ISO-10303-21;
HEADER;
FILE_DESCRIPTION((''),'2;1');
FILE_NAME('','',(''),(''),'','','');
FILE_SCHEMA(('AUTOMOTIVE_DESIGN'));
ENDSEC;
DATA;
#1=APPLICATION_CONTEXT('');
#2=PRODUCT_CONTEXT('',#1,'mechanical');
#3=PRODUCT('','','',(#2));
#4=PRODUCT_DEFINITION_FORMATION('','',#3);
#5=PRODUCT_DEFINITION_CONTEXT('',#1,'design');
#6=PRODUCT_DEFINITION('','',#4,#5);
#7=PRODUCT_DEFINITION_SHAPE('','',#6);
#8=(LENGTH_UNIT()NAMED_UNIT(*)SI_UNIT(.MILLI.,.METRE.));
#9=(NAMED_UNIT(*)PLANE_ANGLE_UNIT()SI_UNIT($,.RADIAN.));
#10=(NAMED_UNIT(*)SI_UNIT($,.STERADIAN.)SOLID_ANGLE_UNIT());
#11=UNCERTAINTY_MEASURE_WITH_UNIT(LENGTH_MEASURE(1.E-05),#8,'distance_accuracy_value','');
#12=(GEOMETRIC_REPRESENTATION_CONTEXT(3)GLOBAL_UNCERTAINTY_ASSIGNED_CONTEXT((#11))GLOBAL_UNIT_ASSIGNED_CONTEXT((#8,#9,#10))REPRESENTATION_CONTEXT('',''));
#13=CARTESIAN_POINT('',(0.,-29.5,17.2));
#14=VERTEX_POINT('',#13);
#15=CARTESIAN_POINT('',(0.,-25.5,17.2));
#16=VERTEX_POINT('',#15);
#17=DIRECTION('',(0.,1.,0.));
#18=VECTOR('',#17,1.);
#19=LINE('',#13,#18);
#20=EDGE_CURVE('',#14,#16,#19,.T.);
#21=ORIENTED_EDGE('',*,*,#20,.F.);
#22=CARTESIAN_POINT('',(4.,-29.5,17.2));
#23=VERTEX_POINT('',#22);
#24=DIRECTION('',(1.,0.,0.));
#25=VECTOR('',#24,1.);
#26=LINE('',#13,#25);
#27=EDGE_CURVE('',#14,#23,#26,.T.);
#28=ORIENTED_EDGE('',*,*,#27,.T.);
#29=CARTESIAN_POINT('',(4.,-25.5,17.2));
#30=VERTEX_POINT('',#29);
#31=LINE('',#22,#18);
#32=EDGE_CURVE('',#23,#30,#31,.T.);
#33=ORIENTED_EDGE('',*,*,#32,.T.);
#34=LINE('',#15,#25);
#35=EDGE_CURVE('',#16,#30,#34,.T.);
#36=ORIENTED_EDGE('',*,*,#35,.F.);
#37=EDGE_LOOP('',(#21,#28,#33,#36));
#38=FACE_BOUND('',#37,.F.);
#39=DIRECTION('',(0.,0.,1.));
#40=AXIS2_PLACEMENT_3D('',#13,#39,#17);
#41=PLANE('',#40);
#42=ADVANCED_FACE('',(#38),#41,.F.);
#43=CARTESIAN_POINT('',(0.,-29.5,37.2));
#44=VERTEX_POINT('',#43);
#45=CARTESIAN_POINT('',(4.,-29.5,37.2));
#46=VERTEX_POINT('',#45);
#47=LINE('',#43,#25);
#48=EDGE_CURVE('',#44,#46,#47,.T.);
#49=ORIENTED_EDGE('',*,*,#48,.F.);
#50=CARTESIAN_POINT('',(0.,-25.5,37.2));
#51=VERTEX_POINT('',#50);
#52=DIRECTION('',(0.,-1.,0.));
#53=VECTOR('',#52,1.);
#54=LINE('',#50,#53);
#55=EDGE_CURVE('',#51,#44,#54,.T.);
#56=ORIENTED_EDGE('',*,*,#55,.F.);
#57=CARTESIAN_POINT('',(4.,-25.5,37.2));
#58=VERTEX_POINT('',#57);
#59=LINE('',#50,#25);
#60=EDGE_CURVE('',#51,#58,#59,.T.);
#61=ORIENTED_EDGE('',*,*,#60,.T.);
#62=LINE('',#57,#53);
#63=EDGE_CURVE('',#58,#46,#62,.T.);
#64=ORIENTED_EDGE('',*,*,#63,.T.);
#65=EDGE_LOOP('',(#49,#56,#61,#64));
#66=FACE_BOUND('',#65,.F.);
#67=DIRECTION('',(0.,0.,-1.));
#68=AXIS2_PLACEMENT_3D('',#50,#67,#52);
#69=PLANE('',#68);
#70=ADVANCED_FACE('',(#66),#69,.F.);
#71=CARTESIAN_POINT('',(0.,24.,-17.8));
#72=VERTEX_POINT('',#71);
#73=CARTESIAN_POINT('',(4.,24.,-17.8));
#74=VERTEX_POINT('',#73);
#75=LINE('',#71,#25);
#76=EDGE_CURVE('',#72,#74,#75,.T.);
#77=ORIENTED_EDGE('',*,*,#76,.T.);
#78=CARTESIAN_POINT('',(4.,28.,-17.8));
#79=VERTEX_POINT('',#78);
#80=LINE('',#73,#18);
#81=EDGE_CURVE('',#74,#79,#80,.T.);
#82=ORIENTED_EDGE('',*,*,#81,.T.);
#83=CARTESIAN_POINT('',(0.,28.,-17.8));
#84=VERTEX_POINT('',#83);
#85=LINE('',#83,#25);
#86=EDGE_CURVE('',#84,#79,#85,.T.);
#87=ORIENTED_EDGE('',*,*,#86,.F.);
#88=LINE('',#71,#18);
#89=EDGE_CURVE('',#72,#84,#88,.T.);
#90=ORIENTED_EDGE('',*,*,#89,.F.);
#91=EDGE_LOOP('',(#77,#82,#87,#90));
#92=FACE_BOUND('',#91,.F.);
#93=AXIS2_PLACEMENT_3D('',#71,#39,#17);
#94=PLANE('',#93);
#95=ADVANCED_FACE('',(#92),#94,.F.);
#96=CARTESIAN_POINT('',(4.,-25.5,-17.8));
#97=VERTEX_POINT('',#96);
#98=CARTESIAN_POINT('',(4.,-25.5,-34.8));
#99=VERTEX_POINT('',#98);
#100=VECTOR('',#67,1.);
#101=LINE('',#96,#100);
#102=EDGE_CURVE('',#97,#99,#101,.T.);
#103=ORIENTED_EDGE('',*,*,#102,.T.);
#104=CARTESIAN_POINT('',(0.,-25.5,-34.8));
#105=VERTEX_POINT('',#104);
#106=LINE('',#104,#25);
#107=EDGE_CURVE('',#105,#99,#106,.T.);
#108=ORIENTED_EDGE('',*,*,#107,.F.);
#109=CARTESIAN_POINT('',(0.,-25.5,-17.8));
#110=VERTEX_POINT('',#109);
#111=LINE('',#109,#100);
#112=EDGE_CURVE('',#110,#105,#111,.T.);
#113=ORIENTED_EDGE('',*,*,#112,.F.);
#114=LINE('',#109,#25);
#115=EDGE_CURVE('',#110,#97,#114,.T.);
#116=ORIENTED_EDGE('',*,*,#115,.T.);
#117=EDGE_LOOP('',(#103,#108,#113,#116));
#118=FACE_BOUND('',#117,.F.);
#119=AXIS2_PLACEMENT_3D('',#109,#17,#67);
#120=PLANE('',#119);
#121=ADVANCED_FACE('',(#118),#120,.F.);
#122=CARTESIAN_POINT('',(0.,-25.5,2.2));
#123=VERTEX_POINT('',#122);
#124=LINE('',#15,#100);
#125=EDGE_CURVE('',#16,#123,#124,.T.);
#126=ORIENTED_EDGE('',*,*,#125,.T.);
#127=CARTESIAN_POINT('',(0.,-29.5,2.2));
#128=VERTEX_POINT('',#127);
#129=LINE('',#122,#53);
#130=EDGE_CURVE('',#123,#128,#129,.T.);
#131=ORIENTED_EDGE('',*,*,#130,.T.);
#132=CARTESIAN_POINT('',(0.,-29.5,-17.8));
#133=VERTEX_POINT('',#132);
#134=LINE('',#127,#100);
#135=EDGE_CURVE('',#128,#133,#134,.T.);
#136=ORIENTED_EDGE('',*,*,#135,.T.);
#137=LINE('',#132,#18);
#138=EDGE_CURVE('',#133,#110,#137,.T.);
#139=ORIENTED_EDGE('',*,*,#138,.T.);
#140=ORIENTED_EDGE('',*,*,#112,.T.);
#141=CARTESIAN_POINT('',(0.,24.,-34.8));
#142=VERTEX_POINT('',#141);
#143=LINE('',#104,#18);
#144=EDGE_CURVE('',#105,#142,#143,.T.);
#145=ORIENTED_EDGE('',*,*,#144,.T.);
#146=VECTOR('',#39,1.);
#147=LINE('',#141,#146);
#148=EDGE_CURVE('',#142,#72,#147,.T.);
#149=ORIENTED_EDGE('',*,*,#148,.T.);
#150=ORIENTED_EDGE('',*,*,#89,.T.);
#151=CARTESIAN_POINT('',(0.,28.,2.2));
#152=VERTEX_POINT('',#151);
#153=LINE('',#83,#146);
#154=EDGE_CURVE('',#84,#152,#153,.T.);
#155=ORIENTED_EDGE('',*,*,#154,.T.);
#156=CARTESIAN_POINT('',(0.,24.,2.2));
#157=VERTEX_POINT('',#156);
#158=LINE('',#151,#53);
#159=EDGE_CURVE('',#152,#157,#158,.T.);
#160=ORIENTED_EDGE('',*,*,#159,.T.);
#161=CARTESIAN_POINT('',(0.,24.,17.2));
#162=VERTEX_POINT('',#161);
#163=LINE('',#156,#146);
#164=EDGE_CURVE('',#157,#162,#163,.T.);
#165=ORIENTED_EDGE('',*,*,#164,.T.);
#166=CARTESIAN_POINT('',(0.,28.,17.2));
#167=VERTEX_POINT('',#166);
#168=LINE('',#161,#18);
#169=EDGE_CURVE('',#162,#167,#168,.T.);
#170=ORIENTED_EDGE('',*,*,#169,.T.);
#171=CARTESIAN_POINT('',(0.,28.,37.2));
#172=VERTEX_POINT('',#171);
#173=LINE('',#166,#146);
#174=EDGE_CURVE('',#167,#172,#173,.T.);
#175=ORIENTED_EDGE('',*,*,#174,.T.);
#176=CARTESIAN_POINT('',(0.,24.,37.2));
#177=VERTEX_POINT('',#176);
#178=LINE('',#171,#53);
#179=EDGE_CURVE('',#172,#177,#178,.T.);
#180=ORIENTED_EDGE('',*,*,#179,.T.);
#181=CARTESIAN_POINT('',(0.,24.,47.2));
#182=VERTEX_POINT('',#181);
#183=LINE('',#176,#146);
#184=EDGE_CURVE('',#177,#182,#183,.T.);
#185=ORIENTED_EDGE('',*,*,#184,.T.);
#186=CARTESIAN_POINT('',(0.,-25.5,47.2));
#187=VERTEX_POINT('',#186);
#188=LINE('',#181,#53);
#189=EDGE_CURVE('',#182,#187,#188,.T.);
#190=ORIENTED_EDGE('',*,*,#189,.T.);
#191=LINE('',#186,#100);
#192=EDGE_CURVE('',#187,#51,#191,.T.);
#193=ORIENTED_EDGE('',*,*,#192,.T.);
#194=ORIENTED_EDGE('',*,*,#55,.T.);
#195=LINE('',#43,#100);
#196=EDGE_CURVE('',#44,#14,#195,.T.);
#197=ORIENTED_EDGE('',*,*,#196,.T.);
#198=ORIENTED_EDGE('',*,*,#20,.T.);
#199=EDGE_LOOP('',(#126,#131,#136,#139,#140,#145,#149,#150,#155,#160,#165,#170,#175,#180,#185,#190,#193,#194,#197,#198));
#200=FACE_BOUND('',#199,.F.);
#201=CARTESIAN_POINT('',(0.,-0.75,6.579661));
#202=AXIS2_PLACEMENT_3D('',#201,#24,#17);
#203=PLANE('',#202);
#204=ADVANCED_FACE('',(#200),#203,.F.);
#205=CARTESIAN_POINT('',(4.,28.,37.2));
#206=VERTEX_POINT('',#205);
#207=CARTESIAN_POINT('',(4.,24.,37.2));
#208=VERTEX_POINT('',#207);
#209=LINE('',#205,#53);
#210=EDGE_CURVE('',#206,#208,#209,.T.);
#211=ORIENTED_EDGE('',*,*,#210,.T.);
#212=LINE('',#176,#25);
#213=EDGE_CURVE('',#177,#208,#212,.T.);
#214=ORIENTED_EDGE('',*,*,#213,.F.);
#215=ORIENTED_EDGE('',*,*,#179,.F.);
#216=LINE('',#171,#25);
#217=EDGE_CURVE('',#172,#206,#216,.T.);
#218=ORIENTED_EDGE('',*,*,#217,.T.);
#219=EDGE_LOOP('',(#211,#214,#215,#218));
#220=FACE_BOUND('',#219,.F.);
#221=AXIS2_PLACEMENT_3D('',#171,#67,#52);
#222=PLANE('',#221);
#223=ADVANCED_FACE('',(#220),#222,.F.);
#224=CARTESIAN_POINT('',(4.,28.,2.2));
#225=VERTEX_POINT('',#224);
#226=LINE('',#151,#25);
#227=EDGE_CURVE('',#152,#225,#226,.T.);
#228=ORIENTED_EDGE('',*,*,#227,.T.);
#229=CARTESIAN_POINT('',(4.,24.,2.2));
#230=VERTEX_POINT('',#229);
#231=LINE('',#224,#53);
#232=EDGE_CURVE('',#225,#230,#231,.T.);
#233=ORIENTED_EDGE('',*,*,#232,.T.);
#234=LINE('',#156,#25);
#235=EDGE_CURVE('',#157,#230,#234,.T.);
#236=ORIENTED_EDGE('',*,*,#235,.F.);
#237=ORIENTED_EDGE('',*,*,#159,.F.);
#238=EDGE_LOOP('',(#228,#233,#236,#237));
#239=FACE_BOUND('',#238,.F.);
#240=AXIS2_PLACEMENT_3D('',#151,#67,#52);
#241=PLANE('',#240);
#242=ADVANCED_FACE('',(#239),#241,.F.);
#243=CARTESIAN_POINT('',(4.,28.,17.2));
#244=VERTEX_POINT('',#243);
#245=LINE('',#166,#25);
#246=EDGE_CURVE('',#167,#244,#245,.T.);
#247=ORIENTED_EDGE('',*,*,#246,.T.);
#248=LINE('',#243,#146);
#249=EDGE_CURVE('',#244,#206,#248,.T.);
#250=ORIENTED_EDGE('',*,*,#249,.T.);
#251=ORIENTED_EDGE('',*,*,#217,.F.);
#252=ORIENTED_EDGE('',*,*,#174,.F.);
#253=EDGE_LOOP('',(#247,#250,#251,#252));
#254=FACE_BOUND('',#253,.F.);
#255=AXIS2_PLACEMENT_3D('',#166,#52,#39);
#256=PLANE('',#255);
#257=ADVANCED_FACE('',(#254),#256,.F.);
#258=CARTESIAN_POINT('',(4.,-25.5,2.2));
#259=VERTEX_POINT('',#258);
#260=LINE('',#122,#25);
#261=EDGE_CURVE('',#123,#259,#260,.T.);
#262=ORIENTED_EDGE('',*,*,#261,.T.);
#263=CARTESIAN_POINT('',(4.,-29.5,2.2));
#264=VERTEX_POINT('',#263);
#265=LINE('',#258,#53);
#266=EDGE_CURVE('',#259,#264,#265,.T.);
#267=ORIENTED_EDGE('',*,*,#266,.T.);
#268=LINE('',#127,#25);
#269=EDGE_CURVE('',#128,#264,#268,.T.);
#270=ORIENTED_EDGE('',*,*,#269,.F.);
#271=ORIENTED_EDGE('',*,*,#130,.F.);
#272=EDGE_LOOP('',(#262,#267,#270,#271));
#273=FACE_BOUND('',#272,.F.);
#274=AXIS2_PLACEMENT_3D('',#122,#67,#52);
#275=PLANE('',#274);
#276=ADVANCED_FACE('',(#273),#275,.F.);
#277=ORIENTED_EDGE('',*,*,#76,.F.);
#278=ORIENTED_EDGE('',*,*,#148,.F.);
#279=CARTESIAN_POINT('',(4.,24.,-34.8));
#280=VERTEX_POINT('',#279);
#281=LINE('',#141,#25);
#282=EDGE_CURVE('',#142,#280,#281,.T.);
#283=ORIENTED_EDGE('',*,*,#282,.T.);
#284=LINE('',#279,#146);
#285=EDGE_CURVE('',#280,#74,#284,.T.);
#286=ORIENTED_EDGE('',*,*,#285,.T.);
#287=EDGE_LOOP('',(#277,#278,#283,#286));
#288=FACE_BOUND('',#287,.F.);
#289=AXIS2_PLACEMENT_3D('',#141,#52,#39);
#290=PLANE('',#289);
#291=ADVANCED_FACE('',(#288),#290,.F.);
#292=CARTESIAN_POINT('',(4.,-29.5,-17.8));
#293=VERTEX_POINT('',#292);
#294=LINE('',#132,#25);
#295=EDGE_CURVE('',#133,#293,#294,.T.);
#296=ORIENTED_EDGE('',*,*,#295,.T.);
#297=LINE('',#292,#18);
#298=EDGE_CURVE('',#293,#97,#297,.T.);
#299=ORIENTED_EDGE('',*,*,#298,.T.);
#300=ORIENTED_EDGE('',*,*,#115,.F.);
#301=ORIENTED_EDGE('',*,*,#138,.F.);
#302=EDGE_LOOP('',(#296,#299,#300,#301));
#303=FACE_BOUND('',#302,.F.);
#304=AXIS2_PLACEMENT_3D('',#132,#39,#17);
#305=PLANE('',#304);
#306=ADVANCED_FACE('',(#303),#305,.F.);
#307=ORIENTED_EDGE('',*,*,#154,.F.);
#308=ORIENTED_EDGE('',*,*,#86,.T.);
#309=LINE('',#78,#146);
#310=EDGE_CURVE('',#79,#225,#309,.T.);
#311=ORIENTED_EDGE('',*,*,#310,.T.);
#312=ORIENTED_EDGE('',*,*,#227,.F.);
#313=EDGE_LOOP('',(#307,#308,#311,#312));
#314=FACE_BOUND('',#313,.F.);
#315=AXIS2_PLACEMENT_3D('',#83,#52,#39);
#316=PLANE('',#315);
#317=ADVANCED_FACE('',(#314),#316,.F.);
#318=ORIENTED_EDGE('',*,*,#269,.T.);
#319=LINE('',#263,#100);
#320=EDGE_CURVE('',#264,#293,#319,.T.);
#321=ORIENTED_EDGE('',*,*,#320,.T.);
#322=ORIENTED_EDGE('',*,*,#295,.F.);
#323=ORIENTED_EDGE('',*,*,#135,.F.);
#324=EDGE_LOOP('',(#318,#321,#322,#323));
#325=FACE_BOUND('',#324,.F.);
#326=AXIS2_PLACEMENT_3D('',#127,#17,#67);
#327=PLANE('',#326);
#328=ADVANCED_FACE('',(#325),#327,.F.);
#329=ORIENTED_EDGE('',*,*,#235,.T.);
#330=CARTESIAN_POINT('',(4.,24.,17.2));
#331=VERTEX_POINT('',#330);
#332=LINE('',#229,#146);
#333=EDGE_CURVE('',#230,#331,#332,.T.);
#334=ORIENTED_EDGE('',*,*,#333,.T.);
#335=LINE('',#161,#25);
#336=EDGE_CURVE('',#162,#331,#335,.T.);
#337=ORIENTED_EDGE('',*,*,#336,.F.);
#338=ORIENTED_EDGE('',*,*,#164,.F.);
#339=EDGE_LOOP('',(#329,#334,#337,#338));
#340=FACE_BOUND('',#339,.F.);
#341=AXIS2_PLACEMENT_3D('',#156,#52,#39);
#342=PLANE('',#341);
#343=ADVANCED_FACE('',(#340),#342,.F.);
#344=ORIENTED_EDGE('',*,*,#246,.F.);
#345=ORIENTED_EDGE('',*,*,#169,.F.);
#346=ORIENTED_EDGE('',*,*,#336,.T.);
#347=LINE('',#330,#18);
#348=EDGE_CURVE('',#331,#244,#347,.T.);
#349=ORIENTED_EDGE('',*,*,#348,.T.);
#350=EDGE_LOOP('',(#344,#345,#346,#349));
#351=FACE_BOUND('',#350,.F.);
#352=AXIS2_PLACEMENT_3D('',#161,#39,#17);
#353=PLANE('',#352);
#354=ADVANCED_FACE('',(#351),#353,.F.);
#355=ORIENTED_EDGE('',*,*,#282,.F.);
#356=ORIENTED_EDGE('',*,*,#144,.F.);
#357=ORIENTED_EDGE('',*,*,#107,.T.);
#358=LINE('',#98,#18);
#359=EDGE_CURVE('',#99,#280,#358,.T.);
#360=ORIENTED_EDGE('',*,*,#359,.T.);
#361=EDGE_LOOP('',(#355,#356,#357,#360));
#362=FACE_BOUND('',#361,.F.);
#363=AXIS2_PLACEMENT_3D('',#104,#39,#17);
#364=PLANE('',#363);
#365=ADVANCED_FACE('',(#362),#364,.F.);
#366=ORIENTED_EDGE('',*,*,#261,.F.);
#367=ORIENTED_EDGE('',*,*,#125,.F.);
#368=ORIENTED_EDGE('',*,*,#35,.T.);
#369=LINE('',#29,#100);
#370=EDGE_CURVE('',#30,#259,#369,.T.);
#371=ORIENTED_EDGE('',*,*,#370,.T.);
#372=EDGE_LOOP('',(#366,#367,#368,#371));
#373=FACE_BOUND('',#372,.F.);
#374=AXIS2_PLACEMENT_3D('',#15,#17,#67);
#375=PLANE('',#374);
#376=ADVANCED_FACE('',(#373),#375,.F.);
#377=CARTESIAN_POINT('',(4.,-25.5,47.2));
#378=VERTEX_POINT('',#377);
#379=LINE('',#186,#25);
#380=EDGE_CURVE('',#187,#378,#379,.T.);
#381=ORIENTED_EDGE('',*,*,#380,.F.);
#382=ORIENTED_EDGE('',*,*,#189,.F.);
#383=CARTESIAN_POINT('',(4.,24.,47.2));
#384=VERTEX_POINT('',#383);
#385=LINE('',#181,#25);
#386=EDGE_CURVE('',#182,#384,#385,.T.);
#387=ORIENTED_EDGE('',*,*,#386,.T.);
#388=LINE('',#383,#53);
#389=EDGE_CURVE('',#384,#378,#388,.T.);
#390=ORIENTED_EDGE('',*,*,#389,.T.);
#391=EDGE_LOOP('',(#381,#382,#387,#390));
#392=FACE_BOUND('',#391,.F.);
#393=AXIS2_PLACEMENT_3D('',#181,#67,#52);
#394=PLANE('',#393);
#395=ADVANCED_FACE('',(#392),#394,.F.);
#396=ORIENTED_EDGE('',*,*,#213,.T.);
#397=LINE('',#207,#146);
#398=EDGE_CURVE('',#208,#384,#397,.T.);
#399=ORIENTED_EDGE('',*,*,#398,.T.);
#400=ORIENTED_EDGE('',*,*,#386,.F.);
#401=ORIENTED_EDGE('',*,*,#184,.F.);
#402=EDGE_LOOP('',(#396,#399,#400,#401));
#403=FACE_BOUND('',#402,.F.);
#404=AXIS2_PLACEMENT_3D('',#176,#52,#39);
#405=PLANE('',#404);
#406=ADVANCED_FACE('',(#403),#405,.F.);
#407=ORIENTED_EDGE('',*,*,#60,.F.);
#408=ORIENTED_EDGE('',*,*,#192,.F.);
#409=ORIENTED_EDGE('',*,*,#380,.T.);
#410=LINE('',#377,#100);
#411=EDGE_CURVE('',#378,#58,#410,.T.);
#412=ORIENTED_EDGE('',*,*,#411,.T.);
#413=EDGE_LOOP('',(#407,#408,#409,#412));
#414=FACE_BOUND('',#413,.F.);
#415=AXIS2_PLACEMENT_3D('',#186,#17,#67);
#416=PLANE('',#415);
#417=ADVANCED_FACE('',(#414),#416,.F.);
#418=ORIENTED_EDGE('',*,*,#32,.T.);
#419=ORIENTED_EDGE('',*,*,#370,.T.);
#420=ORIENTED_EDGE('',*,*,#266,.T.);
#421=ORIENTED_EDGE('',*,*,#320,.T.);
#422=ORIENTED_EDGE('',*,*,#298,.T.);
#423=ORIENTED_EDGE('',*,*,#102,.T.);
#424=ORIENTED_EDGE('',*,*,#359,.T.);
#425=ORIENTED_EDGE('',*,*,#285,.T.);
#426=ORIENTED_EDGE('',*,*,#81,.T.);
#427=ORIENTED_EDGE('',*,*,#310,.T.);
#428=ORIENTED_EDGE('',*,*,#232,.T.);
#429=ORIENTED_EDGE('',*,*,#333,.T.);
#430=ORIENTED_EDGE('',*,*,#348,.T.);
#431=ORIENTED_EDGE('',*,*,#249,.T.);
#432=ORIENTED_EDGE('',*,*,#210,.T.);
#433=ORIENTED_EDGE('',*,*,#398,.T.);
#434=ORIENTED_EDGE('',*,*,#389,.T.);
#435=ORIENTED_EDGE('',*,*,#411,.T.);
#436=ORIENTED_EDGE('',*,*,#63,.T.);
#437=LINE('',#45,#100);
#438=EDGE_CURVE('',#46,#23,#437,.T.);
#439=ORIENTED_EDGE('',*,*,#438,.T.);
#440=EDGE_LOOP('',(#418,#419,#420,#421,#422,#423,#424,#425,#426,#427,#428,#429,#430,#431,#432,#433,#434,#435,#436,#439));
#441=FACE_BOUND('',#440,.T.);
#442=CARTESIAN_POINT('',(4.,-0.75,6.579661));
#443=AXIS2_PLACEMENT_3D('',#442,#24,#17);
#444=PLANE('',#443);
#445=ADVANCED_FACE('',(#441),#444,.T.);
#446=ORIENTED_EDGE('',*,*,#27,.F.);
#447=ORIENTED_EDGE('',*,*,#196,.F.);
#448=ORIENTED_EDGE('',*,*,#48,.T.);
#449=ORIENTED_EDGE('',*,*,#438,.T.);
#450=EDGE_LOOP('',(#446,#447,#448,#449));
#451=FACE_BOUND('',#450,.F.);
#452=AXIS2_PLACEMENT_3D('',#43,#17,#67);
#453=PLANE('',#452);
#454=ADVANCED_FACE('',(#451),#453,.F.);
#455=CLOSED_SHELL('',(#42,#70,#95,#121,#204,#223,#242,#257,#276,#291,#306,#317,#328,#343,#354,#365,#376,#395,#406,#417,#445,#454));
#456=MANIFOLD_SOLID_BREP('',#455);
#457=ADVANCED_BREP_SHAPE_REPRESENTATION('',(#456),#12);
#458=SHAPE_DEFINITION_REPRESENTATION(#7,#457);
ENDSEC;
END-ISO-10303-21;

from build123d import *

# Parameters (mm, degrees)
F1_DEPTH = 4


with BuildPart() as f1:
    # F0 (on Right) → F1 (new body)
    with BuildSketch(Plane.YZ):
        Polygon((-25.5, -17.8), (-25.5, -34.8), (24, -34.8), (24, -17.8), (28, -17.8), (28, 2.2), (24, 2.2), (24, 17.2), (28, 17.2), (28, 37.2), (24, 37.2), (24, 47.2), (-25.5, 47.2), (-25.5, 37.2), (-29.5, 37.2), (-29.5, 17.2), (-25.5, 17.2), (-25.5, 2.2), (-29.5, 2.2), (-29.5, -17.8), align=None)
    extrude(amount=F1_DEPTH)


solid = f1.part
